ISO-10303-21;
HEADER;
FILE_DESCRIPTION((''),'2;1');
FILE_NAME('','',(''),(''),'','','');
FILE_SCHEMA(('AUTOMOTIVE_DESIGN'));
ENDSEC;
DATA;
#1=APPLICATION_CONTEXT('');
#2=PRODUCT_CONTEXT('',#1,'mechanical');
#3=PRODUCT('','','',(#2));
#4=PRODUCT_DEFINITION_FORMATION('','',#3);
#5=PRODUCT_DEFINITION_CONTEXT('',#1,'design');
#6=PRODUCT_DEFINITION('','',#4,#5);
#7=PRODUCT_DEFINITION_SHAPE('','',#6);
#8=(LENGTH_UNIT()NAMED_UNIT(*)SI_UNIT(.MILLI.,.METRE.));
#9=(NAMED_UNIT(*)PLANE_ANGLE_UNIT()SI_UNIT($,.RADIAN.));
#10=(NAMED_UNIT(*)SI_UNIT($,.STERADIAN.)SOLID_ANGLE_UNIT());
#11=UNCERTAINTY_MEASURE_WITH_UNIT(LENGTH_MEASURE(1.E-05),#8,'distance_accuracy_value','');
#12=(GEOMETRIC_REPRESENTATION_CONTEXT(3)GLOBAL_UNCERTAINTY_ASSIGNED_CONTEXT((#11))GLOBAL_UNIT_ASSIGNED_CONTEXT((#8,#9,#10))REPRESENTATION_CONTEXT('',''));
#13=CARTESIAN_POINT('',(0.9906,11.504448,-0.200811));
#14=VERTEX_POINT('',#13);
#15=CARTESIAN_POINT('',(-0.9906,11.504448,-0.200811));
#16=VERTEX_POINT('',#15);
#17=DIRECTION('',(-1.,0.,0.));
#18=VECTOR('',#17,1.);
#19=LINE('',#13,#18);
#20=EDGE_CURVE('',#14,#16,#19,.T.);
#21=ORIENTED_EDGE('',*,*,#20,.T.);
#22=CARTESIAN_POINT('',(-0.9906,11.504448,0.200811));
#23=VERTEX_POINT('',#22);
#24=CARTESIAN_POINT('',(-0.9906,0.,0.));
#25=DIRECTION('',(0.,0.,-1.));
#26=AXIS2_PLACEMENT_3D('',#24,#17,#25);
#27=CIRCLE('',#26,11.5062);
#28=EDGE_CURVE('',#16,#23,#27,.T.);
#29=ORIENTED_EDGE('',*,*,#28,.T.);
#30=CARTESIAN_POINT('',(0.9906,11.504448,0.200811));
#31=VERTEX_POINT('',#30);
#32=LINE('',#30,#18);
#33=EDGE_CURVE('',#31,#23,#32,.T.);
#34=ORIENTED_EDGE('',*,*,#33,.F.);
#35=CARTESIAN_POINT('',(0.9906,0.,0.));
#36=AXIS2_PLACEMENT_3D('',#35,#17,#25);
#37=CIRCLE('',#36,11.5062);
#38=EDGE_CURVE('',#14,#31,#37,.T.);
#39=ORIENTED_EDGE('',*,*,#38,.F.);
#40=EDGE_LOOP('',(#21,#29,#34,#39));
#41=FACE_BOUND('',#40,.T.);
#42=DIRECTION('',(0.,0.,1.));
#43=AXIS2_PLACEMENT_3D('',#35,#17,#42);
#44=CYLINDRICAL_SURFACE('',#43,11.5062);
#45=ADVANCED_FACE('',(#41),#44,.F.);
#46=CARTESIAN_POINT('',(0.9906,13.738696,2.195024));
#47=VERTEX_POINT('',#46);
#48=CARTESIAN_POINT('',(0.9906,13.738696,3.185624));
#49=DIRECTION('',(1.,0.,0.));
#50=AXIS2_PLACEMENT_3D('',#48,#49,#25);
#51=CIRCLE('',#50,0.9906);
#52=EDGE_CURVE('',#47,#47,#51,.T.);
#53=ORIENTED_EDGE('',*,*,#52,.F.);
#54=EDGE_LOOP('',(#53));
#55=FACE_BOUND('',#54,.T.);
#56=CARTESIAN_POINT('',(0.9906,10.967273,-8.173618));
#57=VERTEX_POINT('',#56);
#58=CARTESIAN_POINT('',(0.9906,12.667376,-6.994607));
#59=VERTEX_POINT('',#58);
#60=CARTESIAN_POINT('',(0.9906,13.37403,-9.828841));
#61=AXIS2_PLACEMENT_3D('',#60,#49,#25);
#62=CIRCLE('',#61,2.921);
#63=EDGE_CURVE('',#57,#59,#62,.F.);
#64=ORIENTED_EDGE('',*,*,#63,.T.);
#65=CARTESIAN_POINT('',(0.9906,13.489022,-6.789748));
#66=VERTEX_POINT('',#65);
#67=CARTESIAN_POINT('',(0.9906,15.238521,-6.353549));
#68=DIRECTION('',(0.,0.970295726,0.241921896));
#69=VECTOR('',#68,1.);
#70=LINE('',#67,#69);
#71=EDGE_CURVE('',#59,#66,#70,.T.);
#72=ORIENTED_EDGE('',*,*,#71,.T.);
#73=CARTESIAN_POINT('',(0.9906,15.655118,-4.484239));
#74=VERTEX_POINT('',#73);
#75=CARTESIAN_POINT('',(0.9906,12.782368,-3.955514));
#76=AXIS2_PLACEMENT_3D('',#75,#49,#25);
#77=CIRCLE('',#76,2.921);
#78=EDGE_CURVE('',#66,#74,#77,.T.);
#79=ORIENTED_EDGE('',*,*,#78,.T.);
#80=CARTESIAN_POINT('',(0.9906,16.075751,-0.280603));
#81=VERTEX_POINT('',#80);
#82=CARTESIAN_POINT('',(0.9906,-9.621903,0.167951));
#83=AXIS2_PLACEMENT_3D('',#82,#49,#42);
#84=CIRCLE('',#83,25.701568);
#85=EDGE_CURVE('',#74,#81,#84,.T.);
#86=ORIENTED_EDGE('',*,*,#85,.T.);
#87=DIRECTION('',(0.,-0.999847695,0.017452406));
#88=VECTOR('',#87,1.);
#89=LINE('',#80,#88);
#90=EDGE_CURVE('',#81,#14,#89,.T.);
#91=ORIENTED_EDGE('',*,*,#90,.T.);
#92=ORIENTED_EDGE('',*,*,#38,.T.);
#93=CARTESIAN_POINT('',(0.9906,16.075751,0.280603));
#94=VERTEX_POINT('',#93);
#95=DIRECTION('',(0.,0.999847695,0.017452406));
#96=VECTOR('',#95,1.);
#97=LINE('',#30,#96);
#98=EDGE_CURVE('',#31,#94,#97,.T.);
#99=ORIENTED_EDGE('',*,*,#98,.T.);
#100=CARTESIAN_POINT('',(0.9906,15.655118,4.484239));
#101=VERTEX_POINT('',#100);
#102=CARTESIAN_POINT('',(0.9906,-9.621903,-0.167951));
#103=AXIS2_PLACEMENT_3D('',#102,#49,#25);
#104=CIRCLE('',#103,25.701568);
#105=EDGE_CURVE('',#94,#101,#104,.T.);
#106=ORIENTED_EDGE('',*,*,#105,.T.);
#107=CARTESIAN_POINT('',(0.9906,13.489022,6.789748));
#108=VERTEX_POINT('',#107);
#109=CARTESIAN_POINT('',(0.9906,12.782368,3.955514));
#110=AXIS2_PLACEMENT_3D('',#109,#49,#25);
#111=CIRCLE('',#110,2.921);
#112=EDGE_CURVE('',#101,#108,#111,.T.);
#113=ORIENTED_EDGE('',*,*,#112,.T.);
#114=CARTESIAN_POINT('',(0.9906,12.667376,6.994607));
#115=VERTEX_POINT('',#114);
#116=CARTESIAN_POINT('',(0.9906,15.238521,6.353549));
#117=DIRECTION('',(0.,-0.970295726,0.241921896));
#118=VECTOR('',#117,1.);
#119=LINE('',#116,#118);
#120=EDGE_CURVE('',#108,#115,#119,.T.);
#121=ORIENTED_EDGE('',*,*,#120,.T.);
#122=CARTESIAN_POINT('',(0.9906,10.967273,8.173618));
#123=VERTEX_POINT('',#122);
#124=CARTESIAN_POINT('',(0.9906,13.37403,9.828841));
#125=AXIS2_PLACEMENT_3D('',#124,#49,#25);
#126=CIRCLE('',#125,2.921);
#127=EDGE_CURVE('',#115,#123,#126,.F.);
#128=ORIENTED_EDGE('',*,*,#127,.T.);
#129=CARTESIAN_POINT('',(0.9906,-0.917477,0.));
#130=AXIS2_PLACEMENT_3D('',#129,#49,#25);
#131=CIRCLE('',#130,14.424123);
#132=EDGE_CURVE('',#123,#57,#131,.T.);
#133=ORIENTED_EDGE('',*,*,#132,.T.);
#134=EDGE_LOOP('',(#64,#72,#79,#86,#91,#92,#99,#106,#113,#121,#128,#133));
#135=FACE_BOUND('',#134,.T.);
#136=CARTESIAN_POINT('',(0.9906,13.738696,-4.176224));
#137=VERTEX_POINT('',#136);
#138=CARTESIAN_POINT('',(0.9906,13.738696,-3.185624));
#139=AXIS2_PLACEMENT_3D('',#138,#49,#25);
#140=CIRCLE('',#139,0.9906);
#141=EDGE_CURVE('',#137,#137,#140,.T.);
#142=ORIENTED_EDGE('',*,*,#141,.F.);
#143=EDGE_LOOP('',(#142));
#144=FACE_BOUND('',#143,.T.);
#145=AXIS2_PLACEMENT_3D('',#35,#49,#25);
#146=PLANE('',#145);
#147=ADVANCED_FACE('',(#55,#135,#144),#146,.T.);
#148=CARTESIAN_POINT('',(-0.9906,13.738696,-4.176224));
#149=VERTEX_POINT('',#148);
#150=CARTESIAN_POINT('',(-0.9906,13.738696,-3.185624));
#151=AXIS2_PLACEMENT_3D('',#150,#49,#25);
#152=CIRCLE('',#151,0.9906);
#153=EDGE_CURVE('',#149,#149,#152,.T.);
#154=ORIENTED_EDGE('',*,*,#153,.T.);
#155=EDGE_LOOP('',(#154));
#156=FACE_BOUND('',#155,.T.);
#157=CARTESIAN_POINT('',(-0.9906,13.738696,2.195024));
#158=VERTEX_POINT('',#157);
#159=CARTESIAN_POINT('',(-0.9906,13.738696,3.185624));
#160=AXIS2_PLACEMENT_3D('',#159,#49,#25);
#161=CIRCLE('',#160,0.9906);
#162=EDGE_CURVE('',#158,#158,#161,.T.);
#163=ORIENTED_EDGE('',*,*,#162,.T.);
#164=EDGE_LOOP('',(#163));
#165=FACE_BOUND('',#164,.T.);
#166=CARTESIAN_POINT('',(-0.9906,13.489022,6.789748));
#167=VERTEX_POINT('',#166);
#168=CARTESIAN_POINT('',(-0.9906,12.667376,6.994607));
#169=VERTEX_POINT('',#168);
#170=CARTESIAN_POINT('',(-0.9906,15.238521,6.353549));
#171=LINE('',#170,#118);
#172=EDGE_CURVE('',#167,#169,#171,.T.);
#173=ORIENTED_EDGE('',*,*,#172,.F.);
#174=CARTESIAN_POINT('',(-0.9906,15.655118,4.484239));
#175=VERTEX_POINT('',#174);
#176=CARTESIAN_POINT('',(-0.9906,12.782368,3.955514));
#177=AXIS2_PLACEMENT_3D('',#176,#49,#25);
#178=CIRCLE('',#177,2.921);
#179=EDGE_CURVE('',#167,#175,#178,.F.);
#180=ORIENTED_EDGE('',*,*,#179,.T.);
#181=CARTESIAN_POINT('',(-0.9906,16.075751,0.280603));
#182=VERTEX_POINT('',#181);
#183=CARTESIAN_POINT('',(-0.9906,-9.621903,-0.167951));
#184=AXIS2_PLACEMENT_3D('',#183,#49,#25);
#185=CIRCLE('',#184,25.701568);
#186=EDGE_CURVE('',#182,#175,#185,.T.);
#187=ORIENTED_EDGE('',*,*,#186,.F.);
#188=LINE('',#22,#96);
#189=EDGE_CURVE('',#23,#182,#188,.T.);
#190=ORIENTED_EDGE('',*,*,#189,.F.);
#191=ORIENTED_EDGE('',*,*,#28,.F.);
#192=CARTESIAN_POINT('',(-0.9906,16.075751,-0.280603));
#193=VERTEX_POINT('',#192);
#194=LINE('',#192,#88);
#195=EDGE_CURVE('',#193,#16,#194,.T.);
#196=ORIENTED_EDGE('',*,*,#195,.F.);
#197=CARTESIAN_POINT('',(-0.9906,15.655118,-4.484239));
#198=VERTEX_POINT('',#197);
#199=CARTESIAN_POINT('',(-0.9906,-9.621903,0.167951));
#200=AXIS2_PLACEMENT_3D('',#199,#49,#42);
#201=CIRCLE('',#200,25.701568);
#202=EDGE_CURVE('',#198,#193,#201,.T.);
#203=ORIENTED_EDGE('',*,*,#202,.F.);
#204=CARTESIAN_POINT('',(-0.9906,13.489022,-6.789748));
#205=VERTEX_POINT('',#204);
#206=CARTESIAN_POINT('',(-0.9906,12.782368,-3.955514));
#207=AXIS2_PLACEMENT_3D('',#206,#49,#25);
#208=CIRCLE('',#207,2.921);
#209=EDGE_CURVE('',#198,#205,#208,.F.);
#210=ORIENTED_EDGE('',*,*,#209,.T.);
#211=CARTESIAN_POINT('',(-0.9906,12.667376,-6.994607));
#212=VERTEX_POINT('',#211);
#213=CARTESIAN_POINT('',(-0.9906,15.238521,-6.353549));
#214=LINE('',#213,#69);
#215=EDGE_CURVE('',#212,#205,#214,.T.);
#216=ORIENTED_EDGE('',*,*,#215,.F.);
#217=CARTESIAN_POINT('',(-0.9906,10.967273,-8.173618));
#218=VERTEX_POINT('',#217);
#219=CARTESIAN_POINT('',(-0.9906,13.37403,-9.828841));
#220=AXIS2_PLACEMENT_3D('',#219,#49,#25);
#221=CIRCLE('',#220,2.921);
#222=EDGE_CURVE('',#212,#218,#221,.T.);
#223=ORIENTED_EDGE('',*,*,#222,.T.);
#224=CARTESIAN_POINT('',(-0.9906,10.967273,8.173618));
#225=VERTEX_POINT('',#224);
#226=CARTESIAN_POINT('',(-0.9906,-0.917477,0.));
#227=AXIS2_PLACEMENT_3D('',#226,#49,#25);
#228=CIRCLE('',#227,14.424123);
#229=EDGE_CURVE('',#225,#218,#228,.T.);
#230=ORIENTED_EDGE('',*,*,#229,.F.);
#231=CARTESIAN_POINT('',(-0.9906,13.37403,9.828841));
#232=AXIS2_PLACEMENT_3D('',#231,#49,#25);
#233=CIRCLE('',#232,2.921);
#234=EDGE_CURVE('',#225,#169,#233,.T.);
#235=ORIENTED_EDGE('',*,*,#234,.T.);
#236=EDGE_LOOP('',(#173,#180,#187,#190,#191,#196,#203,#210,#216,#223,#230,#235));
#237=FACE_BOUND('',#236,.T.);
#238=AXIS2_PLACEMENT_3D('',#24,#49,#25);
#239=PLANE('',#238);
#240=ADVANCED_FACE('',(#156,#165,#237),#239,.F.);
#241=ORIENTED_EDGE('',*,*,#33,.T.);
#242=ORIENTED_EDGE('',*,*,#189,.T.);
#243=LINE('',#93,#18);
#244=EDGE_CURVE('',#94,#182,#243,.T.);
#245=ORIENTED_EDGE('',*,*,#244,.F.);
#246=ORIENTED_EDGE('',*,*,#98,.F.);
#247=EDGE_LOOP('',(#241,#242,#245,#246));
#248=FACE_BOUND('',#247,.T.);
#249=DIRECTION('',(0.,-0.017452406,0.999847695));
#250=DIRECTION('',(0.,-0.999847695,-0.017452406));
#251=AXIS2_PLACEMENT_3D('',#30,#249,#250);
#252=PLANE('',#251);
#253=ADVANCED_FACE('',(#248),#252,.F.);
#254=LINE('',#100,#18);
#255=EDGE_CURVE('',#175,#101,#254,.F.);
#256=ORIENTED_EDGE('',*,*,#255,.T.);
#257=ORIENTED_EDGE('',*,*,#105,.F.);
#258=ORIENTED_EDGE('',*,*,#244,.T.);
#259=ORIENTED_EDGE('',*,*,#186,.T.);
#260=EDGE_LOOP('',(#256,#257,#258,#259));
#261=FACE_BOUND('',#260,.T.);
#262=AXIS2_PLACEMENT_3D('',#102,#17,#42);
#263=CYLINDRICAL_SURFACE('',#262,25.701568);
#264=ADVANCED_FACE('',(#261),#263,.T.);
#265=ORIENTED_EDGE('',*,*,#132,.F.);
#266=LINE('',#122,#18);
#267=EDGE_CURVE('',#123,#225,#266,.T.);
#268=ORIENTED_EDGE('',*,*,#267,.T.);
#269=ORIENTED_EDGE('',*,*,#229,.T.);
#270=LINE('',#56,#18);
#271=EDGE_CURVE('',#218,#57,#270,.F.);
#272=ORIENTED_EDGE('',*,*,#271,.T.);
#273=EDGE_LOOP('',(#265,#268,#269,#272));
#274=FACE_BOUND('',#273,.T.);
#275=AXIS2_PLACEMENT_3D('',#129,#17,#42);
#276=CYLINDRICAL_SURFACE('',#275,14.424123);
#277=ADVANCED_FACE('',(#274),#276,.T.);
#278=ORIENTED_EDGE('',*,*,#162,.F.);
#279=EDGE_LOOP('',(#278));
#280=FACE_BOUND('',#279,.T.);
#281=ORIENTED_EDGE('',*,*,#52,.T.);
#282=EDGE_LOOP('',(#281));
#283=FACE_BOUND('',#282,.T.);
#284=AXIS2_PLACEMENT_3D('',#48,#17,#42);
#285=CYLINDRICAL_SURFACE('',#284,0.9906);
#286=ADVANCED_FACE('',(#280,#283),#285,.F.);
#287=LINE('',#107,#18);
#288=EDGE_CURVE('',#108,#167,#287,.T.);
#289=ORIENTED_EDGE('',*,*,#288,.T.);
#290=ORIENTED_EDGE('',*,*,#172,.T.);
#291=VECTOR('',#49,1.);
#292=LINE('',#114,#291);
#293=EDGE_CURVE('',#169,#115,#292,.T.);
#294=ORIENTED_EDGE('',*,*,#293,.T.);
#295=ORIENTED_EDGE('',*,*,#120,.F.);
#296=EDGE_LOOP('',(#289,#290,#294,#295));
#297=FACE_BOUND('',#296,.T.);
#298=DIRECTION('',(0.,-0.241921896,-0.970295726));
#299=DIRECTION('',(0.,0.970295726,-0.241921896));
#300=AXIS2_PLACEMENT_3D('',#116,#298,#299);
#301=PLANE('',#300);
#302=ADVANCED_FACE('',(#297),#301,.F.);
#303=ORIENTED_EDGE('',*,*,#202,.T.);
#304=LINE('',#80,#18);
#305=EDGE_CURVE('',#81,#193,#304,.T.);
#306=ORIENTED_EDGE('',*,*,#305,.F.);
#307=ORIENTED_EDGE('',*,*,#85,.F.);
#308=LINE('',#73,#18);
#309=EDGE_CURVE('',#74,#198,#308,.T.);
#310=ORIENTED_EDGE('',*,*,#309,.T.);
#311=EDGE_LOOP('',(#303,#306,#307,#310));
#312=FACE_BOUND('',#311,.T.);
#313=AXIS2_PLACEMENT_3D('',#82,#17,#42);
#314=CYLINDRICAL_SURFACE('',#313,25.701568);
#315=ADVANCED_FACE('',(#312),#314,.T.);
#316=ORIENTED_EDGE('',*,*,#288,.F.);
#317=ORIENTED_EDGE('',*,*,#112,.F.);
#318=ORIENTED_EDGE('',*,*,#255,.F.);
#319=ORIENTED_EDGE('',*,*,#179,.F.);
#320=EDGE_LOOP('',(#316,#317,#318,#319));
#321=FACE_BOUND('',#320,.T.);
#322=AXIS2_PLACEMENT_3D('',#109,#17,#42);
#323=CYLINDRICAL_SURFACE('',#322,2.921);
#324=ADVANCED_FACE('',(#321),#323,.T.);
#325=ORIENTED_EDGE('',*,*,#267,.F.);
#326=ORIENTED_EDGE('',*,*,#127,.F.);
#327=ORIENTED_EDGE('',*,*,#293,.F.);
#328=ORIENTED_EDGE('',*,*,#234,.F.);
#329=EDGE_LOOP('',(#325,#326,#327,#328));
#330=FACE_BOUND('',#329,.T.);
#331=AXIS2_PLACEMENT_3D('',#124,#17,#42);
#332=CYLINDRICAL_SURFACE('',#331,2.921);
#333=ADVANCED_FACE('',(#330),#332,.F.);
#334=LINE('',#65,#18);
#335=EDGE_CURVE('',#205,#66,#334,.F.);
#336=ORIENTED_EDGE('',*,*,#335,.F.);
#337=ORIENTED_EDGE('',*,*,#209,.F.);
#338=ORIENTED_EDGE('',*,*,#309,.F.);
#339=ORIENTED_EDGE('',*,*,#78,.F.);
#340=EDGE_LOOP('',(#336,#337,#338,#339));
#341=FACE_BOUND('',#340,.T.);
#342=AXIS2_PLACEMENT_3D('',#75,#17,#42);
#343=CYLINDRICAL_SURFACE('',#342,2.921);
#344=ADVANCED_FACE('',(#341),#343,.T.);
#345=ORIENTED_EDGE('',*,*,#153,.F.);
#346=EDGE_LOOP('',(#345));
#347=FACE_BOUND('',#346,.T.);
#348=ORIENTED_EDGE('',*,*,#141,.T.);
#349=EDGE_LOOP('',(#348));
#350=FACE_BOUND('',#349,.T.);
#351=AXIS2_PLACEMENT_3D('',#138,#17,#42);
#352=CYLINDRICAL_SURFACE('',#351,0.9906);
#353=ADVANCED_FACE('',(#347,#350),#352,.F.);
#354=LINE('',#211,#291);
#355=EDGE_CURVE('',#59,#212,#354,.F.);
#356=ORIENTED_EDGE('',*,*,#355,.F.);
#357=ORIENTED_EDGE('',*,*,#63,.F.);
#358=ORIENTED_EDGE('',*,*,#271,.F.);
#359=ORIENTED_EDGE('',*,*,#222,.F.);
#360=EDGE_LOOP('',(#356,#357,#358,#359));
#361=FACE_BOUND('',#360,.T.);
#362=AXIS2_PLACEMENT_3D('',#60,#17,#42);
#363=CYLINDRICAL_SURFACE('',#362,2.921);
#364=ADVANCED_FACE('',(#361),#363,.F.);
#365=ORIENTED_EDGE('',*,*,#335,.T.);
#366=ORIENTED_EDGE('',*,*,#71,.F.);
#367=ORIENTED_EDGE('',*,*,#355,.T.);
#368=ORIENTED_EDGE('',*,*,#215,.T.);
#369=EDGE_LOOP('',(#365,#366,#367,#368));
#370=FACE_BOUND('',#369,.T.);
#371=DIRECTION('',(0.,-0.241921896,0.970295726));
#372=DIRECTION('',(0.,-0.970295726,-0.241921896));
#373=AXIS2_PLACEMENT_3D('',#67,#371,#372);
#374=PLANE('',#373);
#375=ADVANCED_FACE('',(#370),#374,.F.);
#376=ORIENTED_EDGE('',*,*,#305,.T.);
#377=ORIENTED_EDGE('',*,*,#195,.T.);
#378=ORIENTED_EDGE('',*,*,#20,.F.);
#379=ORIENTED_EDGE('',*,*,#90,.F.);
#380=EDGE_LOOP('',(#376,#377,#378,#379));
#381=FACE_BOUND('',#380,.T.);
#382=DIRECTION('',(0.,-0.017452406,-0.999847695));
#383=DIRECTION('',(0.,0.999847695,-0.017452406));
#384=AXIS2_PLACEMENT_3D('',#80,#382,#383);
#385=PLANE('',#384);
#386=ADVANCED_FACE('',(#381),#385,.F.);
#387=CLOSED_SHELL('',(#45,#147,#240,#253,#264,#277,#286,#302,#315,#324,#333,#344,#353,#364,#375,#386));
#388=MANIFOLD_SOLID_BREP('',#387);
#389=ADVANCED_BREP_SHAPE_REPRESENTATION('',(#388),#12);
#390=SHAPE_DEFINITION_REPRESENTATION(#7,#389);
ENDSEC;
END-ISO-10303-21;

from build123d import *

# Parameters (mm, degrees)
SKETCH1_R      = 0.9906
EXTRUDE1_DEPTH = 0.9906
FILLET1_R      = 2.921


with BuildPart() as part:
    # Sketch1 → Extrude1 (new body, symmetric)
    with BuildSketch(Plane(origin=(0, 0, 0), x_dir=(0, 0, -1), z_dir=(1, 0, 0))):
        with BuildLine():
            Line((-0.200810879, 11.50444755), (-0.280603281, 16.075751212))
            ThreePointArc((-0.280603281, 16.075751212), (-3.342127668, 15.838850739), (-6.35354883, 15.238520836))
            Line((-6.35354883, 15.238520836), (-7.276503528, 11.536751728))
            ThreePointArc((-7.276503528, 11.536751728), (0, -15.3416), (7.276503528, 11.536751728))
            Line((7.276503528, 11.536751728), (6.35354883, 15.238520836))
            ThreePointArc((6.35354883, 15.238520836), (3.342127668, 15.838850739), (0.280603281, 16.075751212))
            Line((0.280603281, 16.075751212), (0.200810879, 11.50444755))
            ThreePointArc((0.200810879, 11.50444755), (0, -11.5062), (-0.200810879, 11.50444755))
        make_face()
        with Locations((-3.18562375, 13.738695669)):
            Circle(SKETCH1_R, mode=Mode.SUBTRACT)
        with Locations((3.18562375, 13.738695669)):
            Circle(SKETCH1_R, mode=Mode.SUBTRACT)
    extrude(amount=EXTRUDE1_DEPTH, both=True)

    # Fillet1
    fillet1_edges = [part.edges().sort_by_distance(p)[0] for p in [
        (0, 15.238520836, -6.35354883),
        (0, 11.536751728, -7.276503528),
        (0, 11.536751728, 7.276503528),
        (0, 15.238520836, 6.35354883),
    ]]
    fillet(fillet1_edges, radius=FILLET1_R)


solid = part.part
